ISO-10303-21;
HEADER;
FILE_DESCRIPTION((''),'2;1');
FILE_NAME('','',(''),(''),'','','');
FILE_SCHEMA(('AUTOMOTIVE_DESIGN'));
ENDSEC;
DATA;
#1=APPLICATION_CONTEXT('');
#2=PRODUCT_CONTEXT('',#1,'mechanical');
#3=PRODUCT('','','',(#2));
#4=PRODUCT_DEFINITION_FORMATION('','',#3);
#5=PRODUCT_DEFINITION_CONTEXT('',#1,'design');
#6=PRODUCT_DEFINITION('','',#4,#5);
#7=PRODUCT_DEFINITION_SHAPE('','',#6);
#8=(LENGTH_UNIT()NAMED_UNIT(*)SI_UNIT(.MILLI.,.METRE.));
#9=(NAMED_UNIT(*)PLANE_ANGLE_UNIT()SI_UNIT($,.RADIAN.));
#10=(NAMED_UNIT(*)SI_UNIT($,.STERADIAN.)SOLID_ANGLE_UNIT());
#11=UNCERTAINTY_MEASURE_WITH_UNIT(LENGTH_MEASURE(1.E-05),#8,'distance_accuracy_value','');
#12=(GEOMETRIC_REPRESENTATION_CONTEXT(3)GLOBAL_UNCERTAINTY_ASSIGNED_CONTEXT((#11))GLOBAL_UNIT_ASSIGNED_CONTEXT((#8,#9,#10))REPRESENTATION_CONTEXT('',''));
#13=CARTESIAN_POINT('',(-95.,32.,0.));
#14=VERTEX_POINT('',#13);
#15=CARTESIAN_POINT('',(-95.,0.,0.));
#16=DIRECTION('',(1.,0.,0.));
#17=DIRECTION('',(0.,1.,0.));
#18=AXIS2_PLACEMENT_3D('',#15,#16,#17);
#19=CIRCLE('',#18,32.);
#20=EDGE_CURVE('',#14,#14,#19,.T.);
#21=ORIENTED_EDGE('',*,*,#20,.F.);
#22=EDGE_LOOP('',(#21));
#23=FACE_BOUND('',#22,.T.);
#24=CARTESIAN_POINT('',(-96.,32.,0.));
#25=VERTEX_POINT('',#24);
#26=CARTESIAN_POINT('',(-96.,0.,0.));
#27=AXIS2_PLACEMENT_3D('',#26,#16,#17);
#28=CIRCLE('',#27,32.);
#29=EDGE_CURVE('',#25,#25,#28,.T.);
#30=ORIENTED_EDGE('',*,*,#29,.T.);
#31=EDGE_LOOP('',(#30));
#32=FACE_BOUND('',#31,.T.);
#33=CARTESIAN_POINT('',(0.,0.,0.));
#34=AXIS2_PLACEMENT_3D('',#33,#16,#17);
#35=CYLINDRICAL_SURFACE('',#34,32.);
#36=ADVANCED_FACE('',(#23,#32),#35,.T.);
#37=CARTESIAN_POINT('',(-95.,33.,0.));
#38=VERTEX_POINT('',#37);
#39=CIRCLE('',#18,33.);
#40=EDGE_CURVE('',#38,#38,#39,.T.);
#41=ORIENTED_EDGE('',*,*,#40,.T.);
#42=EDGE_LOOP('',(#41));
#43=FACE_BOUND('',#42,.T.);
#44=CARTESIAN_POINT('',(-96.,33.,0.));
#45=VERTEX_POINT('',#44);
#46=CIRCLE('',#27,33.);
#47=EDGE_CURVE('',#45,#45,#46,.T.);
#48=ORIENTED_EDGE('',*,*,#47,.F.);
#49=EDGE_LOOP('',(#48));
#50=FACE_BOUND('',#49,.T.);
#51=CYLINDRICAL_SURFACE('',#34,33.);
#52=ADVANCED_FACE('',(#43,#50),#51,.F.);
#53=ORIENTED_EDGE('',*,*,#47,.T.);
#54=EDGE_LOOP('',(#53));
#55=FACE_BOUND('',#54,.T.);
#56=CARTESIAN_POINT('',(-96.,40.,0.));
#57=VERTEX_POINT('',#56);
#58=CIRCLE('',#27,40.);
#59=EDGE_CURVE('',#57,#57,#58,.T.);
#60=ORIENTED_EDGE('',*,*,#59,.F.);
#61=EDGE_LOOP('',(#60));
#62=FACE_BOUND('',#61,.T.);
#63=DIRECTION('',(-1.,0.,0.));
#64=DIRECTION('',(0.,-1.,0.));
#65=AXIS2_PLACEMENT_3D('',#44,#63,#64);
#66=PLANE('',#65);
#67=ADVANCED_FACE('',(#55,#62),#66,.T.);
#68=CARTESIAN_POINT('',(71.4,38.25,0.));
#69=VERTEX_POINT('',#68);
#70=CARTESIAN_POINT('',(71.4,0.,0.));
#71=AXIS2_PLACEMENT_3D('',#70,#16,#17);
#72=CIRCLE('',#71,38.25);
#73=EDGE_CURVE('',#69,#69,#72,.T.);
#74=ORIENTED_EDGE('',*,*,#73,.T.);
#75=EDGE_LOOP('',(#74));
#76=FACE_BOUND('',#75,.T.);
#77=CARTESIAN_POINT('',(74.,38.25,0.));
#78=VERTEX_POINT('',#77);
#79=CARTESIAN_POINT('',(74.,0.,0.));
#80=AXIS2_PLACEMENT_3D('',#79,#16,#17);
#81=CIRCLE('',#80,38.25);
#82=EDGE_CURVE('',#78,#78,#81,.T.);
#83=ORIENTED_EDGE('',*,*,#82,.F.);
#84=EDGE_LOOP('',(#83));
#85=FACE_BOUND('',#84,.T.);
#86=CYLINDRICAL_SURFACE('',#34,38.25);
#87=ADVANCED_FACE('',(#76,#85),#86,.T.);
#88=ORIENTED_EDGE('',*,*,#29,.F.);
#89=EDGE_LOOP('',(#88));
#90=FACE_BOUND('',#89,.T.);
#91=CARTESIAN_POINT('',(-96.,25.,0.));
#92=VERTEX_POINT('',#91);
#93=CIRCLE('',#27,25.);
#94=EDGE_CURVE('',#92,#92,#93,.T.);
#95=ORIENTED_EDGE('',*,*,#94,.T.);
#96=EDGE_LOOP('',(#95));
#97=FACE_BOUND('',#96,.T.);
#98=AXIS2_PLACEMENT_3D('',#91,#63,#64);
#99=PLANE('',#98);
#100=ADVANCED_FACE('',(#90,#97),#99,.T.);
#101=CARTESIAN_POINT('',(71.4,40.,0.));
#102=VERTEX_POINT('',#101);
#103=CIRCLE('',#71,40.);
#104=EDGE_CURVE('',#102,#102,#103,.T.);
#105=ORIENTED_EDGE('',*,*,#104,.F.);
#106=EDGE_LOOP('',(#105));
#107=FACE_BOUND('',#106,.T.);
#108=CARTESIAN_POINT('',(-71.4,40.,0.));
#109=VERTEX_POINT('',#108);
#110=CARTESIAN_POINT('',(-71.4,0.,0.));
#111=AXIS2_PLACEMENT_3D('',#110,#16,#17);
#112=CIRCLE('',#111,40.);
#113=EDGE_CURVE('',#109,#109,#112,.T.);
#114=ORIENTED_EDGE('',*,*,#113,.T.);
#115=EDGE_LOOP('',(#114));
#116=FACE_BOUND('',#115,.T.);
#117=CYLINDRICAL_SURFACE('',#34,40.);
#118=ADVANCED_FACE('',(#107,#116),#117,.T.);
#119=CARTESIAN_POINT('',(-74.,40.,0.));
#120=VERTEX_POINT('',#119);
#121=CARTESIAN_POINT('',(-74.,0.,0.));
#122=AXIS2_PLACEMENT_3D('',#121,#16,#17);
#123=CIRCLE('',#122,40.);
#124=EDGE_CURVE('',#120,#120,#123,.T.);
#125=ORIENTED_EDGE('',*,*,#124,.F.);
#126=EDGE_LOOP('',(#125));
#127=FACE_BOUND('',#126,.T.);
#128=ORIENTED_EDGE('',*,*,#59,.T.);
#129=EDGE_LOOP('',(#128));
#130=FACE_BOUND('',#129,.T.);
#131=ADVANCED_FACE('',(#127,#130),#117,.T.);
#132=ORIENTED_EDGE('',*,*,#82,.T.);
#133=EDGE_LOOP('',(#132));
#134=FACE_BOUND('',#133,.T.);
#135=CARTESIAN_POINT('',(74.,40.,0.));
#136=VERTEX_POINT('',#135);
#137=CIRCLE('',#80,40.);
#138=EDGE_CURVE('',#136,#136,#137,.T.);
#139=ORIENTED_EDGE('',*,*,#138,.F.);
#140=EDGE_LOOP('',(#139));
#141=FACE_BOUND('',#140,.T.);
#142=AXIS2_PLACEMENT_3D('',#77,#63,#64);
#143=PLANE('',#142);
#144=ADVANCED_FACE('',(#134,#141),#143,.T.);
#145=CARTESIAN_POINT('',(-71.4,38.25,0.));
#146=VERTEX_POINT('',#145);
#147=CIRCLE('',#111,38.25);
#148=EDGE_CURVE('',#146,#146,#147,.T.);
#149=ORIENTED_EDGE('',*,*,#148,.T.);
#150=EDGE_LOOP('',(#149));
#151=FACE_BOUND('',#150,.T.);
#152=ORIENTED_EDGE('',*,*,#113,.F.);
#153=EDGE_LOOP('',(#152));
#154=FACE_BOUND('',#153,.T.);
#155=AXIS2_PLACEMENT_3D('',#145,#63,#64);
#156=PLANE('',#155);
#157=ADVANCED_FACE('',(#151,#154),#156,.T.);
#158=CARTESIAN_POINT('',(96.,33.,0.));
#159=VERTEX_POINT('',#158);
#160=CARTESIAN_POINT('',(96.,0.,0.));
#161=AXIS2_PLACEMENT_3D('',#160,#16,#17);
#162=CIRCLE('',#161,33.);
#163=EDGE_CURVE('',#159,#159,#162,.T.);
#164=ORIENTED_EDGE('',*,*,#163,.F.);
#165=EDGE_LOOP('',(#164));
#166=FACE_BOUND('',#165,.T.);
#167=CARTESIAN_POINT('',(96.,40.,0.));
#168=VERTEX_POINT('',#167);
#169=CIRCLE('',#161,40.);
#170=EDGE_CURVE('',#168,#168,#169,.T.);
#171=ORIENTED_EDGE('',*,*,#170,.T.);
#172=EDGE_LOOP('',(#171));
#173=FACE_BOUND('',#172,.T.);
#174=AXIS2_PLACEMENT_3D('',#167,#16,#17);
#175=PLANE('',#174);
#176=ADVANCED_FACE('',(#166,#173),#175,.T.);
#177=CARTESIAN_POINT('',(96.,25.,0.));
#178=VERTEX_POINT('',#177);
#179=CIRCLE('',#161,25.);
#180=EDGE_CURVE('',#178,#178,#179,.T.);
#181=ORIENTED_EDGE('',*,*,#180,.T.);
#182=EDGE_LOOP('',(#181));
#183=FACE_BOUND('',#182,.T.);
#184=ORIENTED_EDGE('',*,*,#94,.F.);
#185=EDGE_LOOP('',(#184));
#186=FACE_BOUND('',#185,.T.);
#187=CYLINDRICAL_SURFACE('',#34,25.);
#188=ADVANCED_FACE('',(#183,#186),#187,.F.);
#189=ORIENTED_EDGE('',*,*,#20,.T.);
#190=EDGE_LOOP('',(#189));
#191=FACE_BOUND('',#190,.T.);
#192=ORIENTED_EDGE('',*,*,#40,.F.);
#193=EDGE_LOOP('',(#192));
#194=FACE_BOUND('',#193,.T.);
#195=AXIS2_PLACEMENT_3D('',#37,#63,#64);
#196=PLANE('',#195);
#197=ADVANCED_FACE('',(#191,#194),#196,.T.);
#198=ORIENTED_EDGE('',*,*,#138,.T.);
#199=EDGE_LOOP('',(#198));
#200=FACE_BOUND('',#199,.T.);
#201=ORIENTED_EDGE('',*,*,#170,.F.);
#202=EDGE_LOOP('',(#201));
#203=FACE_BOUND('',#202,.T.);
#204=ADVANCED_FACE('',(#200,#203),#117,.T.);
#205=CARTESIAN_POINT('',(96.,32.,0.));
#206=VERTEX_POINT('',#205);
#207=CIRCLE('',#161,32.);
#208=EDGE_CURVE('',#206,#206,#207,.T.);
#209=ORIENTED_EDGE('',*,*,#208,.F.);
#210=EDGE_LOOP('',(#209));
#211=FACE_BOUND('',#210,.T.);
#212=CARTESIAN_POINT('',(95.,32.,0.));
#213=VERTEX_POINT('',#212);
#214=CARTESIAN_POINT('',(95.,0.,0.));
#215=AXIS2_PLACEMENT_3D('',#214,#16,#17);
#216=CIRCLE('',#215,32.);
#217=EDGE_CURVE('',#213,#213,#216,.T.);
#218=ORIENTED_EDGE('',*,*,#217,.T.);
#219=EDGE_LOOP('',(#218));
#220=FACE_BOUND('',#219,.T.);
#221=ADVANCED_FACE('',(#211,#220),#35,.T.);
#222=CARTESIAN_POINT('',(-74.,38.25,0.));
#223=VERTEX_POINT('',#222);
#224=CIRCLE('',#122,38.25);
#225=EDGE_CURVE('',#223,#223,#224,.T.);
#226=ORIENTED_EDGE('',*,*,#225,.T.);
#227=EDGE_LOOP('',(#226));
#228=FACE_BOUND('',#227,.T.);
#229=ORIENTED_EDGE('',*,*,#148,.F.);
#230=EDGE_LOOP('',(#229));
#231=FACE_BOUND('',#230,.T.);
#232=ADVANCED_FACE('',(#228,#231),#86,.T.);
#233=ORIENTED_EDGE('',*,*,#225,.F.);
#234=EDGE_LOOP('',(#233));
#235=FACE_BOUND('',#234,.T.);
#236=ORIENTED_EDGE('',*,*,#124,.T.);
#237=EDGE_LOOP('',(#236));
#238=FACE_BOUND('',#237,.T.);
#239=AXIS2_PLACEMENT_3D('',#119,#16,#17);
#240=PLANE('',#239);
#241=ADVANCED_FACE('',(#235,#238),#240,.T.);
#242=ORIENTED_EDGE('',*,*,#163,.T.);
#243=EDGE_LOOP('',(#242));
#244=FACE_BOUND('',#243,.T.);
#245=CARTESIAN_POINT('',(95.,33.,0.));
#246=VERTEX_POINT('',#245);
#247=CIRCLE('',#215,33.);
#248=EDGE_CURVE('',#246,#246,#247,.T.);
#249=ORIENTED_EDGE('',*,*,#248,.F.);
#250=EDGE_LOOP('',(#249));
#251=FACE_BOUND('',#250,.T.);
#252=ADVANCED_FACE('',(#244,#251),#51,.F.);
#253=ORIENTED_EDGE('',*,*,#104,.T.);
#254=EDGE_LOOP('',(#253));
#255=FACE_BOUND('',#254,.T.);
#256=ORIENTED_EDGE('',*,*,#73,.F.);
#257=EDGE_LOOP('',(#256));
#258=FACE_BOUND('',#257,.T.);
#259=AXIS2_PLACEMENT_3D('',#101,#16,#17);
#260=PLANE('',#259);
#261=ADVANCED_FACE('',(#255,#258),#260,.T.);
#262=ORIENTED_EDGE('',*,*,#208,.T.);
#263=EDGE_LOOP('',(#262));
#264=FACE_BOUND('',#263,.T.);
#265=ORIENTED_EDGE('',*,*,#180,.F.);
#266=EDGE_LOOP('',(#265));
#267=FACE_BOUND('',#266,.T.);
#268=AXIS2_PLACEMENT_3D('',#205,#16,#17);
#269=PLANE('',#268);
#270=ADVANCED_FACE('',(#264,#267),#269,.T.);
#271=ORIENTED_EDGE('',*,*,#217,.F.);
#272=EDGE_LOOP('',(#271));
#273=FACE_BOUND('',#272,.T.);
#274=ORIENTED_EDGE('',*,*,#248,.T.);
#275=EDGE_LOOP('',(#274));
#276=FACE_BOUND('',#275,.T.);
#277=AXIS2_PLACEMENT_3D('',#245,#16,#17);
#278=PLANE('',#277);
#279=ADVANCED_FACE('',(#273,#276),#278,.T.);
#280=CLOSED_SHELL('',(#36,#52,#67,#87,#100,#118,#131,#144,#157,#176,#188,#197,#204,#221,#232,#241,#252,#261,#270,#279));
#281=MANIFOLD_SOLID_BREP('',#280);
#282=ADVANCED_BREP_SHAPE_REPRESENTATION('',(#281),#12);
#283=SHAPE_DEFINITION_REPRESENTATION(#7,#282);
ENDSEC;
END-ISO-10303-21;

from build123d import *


with BuildPart() as part:
    # Esboço1 → Revolução1 (revolve)
    with BuildSketch(Plane.XY):
        Polygon((-96, 40), (-74, 40), (-74, 38.25), (-71.4, 38.25), (-71.4, 40), (71.4, 40), (71.4, 38.25), (74, 38.25), (74, 40), (96, 40), (96, 33), (95, 33), (95, 32), (96, 32), (96, 25), (-96, 25), (-96, 32), (-95, 32), (-95, 33), (-96, 33), align=None)
    revolve(axis=Axis((0, 0, 0), (-1, 0, 0)))


solid = part.part
